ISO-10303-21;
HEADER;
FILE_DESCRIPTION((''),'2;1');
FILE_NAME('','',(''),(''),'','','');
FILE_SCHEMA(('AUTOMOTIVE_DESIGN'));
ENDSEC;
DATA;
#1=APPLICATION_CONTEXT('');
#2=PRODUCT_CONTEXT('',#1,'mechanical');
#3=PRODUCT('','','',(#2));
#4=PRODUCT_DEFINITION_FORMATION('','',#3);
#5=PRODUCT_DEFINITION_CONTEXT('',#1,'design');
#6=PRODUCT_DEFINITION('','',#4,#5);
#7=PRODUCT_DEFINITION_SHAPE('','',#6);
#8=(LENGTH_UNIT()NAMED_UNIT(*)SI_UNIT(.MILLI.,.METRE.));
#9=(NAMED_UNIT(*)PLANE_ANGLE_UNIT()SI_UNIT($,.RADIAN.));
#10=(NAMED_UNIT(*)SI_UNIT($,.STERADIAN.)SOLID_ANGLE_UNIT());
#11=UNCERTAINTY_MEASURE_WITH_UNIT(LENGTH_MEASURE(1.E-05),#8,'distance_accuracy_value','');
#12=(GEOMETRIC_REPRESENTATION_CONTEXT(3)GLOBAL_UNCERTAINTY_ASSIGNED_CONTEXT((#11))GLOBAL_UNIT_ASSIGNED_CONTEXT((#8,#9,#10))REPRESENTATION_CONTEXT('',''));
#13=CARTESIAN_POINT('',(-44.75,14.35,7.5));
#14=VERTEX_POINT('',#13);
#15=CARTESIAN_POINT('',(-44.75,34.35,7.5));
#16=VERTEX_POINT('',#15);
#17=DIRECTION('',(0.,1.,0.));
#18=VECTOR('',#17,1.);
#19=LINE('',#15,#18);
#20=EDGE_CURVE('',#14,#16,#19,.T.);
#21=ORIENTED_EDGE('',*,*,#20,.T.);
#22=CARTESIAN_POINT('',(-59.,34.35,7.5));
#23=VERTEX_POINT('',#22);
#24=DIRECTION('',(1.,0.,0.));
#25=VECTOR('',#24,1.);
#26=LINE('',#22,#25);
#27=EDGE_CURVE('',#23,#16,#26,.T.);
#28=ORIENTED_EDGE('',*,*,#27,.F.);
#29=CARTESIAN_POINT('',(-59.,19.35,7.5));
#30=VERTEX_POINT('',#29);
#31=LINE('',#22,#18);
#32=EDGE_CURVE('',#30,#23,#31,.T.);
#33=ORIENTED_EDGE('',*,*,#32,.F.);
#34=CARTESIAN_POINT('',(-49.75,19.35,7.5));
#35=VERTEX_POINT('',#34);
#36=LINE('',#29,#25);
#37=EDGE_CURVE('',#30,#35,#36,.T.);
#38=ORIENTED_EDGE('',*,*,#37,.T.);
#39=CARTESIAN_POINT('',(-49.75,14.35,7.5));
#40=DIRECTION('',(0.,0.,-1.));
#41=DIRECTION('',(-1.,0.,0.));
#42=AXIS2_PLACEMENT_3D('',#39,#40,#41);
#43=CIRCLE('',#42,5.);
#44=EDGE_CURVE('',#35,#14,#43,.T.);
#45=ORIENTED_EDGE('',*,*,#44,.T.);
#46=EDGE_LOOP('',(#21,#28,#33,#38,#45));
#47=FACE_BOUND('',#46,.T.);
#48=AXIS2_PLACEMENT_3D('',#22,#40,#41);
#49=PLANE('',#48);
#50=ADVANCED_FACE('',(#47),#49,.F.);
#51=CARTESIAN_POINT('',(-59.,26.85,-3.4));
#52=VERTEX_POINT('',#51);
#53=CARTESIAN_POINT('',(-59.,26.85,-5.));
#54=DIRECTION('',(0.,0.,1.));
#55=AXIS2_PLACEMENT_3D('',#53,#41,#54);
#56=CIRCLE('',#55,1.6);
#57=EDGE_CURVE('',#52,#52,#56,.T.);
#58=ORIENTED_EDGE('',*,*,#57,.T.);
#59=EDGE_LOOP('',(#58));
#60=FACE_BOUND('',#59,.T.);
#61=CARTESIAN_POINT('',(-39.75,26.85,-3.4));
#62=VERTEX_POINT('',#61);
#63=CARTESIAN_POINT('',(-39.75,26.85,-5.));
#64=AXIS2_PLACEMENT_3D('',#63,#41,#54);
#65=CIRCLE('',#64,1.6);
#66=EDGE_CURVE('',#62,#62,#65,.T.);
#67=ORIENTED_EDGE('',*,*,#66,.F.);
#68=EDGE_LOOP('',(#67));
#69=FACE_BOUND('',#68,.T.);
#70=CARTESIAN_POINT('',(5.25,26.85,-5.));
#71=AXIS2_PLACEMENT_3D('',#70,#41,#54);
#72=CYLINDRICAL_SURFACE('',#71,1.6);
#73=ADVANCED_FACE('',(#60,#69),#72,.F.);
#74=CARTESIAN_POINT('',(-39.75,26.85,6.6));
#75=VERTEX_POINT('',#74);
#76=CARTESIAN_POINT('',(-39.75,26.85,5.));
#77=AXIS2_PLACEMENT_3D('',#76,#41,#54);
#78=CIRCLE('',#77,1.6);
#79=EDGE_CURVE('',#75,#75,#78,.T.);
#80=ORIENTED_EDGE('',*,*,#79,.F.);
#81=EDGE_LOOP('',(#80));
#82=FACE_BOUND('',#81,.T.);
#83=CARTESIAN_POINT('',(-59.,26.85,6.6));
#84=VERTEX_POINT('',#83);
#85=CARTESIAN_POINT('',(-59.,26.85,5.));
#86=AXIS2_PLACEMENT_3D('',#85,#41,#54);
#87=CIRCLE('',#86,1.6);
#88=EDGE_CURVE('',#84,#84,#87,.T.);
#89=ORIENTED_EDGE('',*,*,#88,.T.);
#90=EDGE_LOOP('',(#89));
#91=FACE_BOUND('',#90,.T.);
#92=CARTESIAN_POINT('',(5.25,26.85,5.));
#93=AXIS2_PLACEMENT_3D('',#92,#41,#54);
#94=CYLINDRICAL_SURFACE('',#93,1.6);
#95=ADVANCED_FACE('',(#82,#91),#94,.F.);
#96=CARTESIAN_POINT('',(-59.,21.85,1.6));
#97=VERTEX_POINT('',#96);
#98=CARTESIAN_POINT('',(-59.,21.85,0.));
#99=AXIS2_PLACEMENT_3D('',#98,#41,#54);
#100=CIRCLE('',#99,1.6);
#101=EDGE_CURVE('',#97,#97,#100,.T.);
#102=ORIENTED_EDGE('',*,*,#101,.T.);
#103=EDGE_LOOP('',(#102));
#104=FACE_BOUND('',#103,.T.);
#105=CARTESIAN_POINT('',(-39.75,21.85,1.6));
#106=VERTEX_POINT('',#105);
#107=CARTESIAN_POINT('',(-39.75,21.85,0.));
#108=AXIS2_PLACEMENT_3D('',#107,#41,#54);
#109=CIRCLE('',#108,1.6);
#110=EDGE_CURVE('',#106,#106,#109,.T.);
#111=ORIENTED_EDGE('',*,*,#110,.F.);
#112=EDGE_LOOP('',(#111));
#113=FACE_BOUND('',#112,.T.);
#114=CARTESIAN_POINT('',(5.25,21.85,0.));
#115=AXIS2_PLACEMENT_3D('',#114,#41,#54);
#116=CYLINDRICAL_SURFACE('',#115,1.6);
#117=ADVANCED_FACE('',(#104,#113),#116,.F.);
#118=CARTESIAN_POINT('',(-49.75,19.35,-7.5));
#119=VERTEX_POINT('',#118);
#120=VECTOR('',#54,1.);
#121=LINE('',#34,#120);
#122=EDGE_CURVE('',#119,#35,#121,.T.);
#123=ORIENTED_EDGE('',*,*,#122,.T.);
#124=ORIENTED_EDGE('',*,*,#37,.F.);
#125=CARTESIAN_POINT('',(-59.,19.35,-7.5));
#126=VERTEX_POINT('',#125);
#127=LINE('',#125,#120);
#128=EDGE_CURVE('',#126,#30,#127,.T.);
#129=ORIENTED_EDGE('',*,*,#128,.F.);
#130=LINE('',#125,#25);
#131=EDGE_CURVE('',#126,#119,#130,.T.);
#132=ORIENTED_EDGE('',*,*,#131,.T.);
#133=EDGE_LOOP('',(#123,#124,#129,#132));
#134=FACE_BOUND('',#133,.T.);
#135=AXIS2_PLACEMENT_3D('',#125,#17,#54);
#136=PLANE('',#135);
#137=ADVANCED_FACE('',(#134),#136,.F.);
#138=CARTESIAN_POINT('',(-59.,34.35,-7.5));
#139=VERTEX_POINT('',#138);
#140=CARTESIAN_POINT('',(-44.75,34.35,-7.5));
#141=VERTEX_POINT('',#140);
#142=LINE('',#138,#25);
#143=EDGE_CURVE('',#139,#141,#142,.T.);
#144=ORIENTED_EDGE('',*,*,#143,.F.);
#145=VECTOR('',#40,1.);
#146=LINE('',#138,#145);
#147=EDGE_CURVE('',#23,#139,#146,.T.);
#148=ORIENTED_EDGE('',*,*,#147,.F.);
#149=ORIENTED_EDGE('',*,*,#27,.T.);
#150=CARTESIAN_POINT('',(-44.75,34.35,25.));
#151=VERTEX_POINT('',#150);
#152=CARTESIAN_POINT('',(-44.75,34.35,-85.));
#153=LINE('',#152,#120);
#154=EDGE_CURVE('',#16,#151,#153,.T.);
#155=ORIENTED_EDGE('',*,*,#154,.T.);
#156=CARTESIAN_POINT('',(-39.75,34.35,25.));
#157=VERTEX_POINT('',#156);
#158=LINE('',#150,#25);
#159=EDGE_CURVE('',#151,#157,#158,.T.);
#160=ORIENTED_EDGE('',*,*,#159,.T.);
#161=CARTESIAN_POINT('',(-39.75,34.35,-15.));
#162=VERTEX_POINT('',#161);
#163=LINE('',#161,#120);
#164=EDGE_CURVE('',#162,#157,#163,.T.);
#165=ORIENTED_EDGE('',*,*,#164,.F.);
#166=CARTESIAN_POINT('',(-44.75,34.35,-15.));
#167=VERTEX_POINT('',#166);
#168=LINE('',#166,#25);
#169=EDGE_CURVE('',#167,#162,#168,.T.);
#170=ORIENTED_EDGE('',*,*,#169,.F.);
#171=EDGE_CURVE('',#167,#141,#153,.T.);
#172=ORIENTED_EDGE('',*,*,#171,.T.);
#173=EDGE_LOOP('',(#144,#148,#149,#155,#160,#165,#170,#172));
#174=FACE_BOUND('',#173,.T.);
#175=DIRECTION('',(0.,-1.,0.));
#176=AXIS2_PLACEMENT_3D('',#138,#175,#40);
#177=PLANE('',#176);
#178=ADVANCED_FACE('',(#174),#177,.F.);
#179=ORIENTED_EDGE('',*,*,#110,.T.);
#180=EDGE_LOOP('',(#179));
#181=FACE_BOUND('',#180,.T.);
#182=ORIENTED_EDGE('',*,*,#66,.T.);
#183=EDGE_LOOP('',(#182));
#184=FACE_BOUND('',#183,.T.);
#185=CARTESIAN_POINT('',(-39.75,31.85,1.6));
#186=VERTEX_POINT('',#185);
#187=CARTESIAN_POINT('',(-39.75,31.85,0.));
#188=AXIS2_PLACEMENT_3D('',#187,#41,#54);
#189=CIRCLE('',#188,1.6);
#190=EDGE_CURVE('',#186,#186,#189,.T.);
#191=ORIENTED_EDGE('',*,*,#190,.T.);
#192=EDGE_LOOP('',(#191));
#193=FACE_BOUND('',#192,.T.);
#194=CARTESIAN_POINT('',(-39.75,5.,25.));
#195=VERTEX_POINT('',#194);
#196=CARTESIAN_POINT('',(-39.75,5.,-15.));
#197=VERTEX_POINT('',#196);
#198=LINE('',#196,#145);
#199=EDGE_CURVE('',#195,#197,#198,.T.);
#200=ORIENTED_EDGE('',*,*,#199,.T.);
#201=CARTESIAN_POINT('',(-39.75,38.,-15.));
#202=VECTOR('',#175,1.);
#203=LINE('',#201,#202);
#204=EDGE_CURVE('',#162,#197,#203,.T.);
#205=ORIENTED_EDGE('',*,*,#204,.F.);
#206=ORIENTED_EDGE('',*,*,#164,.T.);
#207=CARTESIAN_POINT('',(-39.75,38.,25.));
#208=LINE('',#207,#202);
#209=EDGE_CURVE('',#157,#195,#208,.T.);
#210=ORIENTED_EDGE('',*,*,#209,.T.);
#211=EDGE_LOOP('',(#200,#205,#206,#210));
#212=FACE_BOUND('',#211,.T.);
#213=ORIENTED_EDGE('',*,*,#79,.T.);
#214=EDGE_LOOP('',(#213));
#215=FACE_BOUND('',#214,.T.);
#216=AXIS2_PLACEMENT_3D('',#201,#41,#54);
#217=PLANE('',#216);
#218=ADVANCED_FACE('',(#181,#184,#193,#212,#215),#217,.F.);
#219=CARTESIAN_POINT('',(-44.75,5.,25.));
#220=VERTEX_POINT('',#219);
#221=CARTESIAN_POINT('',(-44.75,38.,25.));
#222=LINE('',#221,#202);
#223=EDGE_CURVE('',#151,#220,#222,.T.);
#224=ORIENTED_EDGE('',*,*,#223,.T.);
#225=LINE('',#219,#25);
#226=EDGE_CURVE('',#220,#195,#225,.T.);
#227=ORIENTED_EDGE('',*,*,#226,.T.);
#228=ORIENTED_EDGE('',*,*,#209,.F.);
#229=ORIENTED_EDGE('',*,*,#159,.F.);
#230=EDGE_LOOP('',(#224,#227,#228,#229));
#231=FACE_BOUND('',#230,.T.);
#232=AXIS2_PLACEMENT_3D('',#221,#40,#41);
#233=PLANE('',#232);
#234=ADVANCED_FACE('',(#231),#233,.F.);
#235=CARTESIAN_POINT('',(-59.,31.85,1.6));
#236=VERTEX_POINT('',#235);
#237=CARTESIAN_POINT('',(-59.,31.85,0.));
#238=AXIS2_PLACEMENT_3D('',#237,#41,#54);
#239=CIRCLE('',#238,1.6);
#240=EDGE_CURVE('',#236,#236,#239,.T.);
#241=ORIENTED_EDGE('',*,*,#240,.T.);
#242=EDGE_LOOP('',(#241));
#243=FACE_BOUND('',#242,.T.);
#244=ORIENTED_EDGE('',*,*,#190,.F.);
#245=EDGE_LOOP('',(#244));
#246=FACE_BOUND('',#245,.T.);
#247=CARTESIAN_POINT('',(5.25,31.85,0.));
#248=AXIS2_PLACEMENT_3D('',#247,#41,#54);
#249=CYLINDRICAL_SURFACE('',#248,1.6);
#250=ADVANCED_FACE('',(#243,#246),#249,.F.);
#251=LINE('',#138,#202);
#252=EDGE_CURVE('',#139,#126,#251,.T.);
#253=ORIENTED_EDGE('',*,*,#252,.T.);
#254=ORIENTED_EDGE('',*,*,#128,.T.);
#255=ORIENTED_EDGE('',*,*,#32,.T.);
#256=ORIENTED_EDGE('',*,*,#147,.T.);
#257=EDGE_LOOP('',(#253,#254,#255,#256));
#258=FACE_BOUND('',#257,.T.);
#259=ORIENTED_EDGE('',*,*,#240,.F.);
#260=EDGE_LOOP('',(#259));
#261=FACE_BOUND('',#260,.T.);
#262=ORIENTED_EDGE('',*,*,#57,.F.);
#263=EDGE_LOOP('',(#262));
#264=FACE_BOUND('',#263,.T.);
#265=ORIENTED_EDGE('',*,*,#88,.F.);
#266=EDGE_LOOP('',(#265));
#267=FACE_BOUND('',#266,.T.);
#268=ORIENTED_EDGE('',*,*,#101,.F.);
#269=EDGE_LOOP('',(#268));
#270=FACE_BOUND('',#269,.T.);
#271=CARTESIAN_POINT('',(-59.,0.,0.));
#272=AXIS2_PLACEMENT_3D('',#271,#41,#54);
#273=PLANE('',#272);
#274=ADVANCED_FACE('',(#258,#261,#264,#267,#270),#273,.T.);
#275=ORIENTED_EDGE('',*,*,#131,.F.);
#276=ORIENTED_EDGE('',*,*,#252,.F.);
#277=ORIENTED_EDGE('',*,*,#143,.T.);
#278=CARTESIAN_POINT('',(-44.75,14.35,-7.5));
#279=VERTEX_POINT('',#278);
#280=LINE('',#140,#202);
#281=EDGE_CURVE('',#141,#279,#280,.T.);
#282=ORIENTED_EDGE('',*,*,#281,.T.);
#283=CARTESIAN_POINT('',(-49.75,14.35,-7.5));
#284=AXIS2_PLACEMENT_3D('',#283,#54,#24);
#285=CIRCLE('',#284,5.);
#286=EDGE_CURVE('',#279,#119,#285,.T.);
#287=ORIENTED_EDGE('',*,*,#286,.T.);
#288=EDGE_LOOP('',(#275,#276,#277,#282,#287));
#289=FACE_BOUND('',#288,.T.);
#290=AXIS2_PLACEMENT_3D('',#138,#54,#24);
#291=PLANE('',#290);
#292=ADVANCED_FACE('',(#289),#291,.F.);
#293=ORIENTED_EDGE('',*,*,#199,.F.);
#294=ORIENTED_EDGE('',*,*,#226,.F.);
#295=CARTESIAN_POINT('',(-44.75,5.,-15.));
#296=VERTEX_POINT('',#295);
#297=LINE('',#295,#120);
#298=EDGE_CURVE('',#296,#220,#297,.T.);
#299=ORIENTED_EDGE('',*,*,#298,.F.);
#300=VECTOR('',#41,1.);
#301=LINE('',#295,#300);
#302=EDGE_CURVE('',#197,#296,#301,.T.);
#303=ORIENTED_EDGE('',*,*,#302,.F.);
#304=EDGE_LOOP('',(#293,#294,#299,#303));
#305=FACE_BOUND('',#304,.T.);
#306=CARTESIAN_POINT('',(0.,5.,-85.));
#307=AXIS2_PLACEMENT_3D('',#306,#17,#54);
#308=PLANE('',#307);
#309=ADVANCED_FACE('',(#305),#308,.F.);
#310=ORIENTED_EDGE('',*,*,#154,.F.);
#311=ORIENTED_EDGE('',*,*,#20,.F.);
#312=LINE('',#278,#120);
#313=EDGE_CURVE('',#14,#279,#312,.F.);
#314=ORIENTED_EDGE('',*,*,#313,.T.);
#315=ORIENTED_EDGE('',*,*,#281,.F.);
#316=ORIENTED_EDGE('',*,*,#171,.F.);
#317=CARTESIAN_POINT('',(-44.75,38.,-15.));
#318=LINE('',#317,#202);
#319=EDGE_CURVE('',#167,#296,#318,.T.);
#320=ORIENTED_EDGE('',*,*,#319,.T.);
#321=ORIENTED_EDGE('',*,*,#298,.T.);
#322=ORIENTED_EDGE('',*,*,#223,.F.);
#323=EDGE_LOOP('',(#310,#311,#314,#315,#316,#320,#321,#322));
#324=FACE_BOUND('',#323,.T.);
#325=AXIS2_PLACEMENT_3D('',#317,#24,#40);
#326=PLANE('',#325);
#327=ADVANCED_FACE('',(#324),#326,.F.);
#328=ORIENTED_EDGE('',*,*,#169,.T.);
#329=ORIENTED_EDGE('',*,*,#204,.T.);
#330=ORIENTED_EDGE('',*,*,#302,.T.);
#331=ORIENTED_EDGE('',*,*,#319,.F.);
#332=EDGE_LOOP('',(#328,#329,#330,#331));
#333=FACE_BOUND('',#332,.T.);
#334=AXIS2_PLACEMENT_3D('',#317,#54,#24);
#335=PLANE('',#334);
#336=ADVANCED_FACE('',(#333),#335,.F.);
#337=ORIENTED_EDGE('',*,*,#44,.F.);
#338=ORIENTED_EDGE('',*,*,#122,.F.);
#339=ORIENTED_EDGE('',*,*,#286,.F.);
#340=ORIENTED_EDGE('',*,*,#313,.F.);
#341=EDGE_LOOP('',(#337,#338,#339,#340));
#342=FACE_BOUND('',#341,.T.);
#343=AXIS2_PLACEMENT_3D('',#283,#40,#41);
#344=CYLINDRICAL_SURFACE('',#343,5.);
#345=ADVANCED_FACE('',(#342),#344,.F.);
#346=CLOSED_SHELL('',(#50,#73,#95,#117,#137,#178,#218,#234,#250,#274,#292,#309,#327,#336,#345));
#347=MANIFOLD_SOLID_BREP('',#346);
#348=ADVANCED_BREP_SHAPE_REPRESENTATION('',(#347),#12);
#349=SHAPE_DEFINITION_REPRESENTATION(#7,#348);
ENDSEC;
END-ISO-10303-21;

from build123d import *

# Parameters (mm, degrees)
BOSS_EXTRUDE1_DEPTH     = 5
CUT_EXTRUDE1_DEPTH      = 114.468057179
CUT_EXTRUDE1_DEPTH_BACK = 114.468057179
SKETCH3_R               = 1.6
SKETCH4_R               = 2.55
CUT_EXTRUDE2_DEPTH      = 10
SKETCH5_R               = 1.55
CUT_EXTRUDE3_DEPTH      = 114.468057179
SKETCH6_R               = 1.55
CUT_EXTRUDE4_DEPTH      = 114.468057179
SKETCH7_W               = 23
SKETCH7_H               = 110
BOSS_EXTRUDE2_DEPTH     = 5
SKETCH9_W               = 5
SKETCH9_H               = 40
BOSS_EXTRUDE4_DEPTH     = 33
SKETCH11_W              = 12
SKETCH11_H              = 12
CUT_EXTRUDE5_DEPTH      = 50
SKETCH12_R              = 1.6
CUT_EXTRUDE6_DEPTH      = 50
BOSS_EXTRUDE5_START     = 14.25
SKETCH13_W              = 15
SKETCH13_H              = 15
SKETCH13_R              = 1.6
BOSS_EXTRUDE5_DEPTH     = 14.25
SKETCH15_W              = 89.5
SKETCH15_H              = 3.65
CUT_EXTRUDE9_DEPTH      = 153.144667997
SKETCH18_W              = 13
SKETCH18_H              = 110
CUT_EXTRUDE10_DEPTH     = 134.005347637
FILLET5_R               = 5
SKETCH19_R              = 1.55
CUT_EXTRUDE11_DEPTH     = 5
CUT_EXTRUDE12_DEPTH     = 189.758900452


with BuildPart() as part:
    # Sketch1 → Boss-Extrude1 (new body)
    with BuildSketch(Plane(origin=(0, 0, 0), x_dir=(1, 0, 0), z_dir=(0, 1, 0))):
        Polygon((75, 85), (-75, 85), (-75, -25), (-45, -45), (-45, -80), (45, -80), (45, -45), (75, -25), align=None)
        Polygon((-18.5, -10), (-18.5, 10), (-7.5, 10), (-7.5, 50), (7.5, 50), (7.5, 10), (18.5, 10), (18.5, -10), align=None, mode=Mode.SUBTRACT)
    extrude(amount=BOSS_EXTRUDE1_DEPTH)

    # Sketch3 → Cut-Extrude1 (cut, two sides: drawn at the far end of the back side and taken through both)
    with BuildSketch(Plane(origin=(0, 5, 0), x_dir=(1, 0, 0), z_dir=(0, 1, 0)).offset(-CUT_EXTRUDE1_DEPTH_BACK)):
        with Locations((-35, 20)):
            Circle(SKETCH3_R)
        with Locations((-35, -20)):
            Circle(SKETCH3_R)
        with Locations((35, -20)):
            Circle(SKETCH3_R)
        with Locations((35, 20)):
            Circle(SKETCH3_R)
    extrude(amount=CUT_EXTRUDE1_DEPTH + CUT_EXTRUDE1_DEPTH_BACK, mode=Mode.SUBTRACT)

    # Sketch4 → Cut-Extrude2 (cut)
    with BuildSketch(Plane(origin=(0, 5, 0), x_dir=(1, 0, 0), z_dir=(0, 1, 0))):
        with Locations((-65, 66)):
            Circle(SKETCH4_R)
        with Locations((-65, -4)):
            Circle(SKETCH4_R)
        with Locations((65, 66)):
            Circle(SKETCH4_R)
        with Locations((65, -4)):
            Circle(SKETCH4_R)
    extrude(amount=-CUT_EXTRUDE2_DEPTH, mode=Mode.SUBTRACT)

    # Sketch5 → Cut-Extrude3 (cut, through all)
    with BuildSketch(Plane(origin=(0, 5, 0), x_dir=(1, 0, 0), z_dir=(0, 1, 0))):
        with Locations((-39, -75)):
            Circle(SKETCH5_R)
        with Locations((39, -75)):
            Circle(SKETCH5_R)
        with Locations((-39, -50)):
            Circle(SKETCH5_R)
        with Locations((39, -50)):
            Circle(SKETCH5_R)
    extrude(amount=-CUT_EXTRUDE3_DEPTH, mode=Mode.SUBTRACT)

    # Sketch6 → Cut-Extrude4 (cut, through all)
    with BuildSketch(Plane(origin=(0, 5, 0), x_dir=(1, 0, 0), z_dir=(0, 1, 0))):
        with Locations((62.5, 80)):
            Circle(SKETCH6_R)
        with Locations((-62.5, 80)):
            Circle(SKETCH6_R)
    extrude(amount=-CUT_EXTRUDE4_DEPTH, mode=Mode.SUBTRACT)

    # Sketch7 → Boss-Extrude2 (add)
    with BuildSketch(Plane(origin=(0, 5, 0), x_dir=(1, 0, 0), z_dir=(0, 1, 0))):
        with Locations((-86.5, 30)):
            Rectangle(SKETCH7_W, SKETCH7_H)
        with Locations((86.5, 30)):
            Rectangle(SKETCH7_W, SKETCH7_H)
    extrude(amount=-BOSS_EXTRUDE2_DEPTH)

    # Sketch9 → Boss-Extrude4 (add)
    with BuildSketch(Plane(origin=(0, 5, 0), x_dir=(1, 0, 0), z_dir=(0, 1, 0))):
        with Locations((-42.25, -5)):
            Rectangle(SKETCH9_W, SKETCH9_H)
        with Locations((42.25, -5)):
            Rectangle(SKETCH9_W, SKETCH9_H)
    extrude(amount=BOSS_EXTRUDE4_DEPTH)

    # Sketch11 → Cut-Extrude5 (cut)
    with BuildSketch(Plane(origin=(0, 5, 0), x_dir=(1, 0, 0), z_dir=(0, 1, 0))):
        with Locations((-67, 18.305755671)):
            Rectangle(SKETCH11_W, SKETCH11_H)
        with Locations((67, 18.305755671)):
            Rectangle(SKETCH11_W, SKETCH11_H)
    extrude(amount=-CUT_EXTRUDE5_DEPTH, mode=Mode.SUBTRACT)

    # Sketch12 → Cut-Extrude6 (cut)
    with BuildSketch(Plane.ZY.offset(44.75)):
        with Locations((0, 31.85)):
            Circle(SKETCH12_R)
        with Locations((5, 26.85)):
            Circle(SKETCH12_R)
        with Locations((0, 21.85)):
            Circle(SKETCH12_R)
        with Locations((-5, 26.85)):
            Circle(SKETCH12_R)
    cut_extrude6 = extrude(amount=-CUT_EXTRUDE6_DEPTH, mode=Mode.SUBTRACT)

    # Sketch13 → Boss-Extrude5 (add)
    with BuildSketch(Plane.ZY.offset(44.75).offset(BOSS_EXTRUDE5_START)):
        with Locations((0, 26.85)):
            Rectangle(SKETCH13_W, SKETCH13_H)
        with Locations((0, 31.85)):
            Circle(SKETCH13_R, mode=Mode.SUBTRACT)
        with Locations((5, 26.85)):
            Circle(SKETCH13_R, mode=Mode.SUBTRACT)
        with Locations((-5, 26.85)):
            Circle(SKETCH13_R, mode=Mode.SUBTRACT)
        with Locations((0, 21.85)):
            Circle(SKETCH13_R, mode=Mode.SUBTRACT)
    boss_extrude5 = extrude(amount=-BOSS_EXTRUDE5_DEPTH)

    # Mirror2: Cut-Extrude6 across plane
    add(cut_extrude6.mirror(Plane.ZY), mode=Mode.SUBTRACT)

    # Mirror3: Boss-Extrude5 across plane
    add(boss_extrude5.mirror(Plane.ZY))

    # Sketch15 → Cut-Extrude9 (cut, through all)
    with BuildSketch(Plane.XY.offset(25)):
        with Locations((0, 36.175)):
            Rectangle(SKETCH15_W, SKETCH15_H)
    extrude(amount=-CUT_EXTRUDE9_DEPTH, mode=Mode.SUBTRACT)

    # Sketch18 → Cut-Extrude10 (cut, through all)
    with BuildSketch(Plane(origin=(0, 5, 0), x_dir=(1, 0, 0), z_dir=(0, 1, 0))):
        with Locations((-91.5, 30)):
            Rectangle(SKETCH18_W, SKETCH18_H)
        with Locations((91.5, 30)):
            Rectangle(SKETCH18_W, SKETCH18_H)
    extrude(amount=-CUT_EXTRUDE10_DEPTH, mode=Mode.SUBTRACT)

    # Fillet5
    fillet5_edges = [part.edges().sort_by_distance(p)[0] for p in [
        (44.75, 19.35, 0),
        (-44.75, 19.35, 0),
    ]]
    fillet(fillet5_edges, radius=FILLET5_R)

    # Sketch19 → Cut-Extrude11 (cut)
    with BuildSketch(Plane(origin=(0, 5, 0), x_dir=(1, 0, 0), z_dir=(0, 1, 0))):
        with Locations((55, 34.5)):
            Circle(SKETCH19_R)
        with Locations((25, 34.5)):
            Circle(SKETCH19_R)
        with Locations((25, 44.5)):
            Circle(SKETCH19_R)
        with Locations((55, 44.5)):
            Circle(SKETCH19_R)
    cut_extrude11 = extrude(amount=-CUT_EXTRUDE11_DEPTH, mode=Mode.SUBTRACT)

    # Mirror4: Cut-Extrude11 across plane
    add(cut_extrude11.mirror(Plane.ZY), mode=Mode.SUBTRACT)

    # Sketch21 → Cut-Extrude12 (cut, through all)
    with BuildSketch(Plane.XY.offset(80)):
        Polygon((-85, 5), (-85, 0), (85, 0), (85, 5), (59, 5), (59, 34.35), (39.75, 34.35), (39.75, 5), align=None)
    extrude(amount=-CUT_EXTRUDE12_DEPTH, mode=Mode.SUBTRACT)


solid = part.part
